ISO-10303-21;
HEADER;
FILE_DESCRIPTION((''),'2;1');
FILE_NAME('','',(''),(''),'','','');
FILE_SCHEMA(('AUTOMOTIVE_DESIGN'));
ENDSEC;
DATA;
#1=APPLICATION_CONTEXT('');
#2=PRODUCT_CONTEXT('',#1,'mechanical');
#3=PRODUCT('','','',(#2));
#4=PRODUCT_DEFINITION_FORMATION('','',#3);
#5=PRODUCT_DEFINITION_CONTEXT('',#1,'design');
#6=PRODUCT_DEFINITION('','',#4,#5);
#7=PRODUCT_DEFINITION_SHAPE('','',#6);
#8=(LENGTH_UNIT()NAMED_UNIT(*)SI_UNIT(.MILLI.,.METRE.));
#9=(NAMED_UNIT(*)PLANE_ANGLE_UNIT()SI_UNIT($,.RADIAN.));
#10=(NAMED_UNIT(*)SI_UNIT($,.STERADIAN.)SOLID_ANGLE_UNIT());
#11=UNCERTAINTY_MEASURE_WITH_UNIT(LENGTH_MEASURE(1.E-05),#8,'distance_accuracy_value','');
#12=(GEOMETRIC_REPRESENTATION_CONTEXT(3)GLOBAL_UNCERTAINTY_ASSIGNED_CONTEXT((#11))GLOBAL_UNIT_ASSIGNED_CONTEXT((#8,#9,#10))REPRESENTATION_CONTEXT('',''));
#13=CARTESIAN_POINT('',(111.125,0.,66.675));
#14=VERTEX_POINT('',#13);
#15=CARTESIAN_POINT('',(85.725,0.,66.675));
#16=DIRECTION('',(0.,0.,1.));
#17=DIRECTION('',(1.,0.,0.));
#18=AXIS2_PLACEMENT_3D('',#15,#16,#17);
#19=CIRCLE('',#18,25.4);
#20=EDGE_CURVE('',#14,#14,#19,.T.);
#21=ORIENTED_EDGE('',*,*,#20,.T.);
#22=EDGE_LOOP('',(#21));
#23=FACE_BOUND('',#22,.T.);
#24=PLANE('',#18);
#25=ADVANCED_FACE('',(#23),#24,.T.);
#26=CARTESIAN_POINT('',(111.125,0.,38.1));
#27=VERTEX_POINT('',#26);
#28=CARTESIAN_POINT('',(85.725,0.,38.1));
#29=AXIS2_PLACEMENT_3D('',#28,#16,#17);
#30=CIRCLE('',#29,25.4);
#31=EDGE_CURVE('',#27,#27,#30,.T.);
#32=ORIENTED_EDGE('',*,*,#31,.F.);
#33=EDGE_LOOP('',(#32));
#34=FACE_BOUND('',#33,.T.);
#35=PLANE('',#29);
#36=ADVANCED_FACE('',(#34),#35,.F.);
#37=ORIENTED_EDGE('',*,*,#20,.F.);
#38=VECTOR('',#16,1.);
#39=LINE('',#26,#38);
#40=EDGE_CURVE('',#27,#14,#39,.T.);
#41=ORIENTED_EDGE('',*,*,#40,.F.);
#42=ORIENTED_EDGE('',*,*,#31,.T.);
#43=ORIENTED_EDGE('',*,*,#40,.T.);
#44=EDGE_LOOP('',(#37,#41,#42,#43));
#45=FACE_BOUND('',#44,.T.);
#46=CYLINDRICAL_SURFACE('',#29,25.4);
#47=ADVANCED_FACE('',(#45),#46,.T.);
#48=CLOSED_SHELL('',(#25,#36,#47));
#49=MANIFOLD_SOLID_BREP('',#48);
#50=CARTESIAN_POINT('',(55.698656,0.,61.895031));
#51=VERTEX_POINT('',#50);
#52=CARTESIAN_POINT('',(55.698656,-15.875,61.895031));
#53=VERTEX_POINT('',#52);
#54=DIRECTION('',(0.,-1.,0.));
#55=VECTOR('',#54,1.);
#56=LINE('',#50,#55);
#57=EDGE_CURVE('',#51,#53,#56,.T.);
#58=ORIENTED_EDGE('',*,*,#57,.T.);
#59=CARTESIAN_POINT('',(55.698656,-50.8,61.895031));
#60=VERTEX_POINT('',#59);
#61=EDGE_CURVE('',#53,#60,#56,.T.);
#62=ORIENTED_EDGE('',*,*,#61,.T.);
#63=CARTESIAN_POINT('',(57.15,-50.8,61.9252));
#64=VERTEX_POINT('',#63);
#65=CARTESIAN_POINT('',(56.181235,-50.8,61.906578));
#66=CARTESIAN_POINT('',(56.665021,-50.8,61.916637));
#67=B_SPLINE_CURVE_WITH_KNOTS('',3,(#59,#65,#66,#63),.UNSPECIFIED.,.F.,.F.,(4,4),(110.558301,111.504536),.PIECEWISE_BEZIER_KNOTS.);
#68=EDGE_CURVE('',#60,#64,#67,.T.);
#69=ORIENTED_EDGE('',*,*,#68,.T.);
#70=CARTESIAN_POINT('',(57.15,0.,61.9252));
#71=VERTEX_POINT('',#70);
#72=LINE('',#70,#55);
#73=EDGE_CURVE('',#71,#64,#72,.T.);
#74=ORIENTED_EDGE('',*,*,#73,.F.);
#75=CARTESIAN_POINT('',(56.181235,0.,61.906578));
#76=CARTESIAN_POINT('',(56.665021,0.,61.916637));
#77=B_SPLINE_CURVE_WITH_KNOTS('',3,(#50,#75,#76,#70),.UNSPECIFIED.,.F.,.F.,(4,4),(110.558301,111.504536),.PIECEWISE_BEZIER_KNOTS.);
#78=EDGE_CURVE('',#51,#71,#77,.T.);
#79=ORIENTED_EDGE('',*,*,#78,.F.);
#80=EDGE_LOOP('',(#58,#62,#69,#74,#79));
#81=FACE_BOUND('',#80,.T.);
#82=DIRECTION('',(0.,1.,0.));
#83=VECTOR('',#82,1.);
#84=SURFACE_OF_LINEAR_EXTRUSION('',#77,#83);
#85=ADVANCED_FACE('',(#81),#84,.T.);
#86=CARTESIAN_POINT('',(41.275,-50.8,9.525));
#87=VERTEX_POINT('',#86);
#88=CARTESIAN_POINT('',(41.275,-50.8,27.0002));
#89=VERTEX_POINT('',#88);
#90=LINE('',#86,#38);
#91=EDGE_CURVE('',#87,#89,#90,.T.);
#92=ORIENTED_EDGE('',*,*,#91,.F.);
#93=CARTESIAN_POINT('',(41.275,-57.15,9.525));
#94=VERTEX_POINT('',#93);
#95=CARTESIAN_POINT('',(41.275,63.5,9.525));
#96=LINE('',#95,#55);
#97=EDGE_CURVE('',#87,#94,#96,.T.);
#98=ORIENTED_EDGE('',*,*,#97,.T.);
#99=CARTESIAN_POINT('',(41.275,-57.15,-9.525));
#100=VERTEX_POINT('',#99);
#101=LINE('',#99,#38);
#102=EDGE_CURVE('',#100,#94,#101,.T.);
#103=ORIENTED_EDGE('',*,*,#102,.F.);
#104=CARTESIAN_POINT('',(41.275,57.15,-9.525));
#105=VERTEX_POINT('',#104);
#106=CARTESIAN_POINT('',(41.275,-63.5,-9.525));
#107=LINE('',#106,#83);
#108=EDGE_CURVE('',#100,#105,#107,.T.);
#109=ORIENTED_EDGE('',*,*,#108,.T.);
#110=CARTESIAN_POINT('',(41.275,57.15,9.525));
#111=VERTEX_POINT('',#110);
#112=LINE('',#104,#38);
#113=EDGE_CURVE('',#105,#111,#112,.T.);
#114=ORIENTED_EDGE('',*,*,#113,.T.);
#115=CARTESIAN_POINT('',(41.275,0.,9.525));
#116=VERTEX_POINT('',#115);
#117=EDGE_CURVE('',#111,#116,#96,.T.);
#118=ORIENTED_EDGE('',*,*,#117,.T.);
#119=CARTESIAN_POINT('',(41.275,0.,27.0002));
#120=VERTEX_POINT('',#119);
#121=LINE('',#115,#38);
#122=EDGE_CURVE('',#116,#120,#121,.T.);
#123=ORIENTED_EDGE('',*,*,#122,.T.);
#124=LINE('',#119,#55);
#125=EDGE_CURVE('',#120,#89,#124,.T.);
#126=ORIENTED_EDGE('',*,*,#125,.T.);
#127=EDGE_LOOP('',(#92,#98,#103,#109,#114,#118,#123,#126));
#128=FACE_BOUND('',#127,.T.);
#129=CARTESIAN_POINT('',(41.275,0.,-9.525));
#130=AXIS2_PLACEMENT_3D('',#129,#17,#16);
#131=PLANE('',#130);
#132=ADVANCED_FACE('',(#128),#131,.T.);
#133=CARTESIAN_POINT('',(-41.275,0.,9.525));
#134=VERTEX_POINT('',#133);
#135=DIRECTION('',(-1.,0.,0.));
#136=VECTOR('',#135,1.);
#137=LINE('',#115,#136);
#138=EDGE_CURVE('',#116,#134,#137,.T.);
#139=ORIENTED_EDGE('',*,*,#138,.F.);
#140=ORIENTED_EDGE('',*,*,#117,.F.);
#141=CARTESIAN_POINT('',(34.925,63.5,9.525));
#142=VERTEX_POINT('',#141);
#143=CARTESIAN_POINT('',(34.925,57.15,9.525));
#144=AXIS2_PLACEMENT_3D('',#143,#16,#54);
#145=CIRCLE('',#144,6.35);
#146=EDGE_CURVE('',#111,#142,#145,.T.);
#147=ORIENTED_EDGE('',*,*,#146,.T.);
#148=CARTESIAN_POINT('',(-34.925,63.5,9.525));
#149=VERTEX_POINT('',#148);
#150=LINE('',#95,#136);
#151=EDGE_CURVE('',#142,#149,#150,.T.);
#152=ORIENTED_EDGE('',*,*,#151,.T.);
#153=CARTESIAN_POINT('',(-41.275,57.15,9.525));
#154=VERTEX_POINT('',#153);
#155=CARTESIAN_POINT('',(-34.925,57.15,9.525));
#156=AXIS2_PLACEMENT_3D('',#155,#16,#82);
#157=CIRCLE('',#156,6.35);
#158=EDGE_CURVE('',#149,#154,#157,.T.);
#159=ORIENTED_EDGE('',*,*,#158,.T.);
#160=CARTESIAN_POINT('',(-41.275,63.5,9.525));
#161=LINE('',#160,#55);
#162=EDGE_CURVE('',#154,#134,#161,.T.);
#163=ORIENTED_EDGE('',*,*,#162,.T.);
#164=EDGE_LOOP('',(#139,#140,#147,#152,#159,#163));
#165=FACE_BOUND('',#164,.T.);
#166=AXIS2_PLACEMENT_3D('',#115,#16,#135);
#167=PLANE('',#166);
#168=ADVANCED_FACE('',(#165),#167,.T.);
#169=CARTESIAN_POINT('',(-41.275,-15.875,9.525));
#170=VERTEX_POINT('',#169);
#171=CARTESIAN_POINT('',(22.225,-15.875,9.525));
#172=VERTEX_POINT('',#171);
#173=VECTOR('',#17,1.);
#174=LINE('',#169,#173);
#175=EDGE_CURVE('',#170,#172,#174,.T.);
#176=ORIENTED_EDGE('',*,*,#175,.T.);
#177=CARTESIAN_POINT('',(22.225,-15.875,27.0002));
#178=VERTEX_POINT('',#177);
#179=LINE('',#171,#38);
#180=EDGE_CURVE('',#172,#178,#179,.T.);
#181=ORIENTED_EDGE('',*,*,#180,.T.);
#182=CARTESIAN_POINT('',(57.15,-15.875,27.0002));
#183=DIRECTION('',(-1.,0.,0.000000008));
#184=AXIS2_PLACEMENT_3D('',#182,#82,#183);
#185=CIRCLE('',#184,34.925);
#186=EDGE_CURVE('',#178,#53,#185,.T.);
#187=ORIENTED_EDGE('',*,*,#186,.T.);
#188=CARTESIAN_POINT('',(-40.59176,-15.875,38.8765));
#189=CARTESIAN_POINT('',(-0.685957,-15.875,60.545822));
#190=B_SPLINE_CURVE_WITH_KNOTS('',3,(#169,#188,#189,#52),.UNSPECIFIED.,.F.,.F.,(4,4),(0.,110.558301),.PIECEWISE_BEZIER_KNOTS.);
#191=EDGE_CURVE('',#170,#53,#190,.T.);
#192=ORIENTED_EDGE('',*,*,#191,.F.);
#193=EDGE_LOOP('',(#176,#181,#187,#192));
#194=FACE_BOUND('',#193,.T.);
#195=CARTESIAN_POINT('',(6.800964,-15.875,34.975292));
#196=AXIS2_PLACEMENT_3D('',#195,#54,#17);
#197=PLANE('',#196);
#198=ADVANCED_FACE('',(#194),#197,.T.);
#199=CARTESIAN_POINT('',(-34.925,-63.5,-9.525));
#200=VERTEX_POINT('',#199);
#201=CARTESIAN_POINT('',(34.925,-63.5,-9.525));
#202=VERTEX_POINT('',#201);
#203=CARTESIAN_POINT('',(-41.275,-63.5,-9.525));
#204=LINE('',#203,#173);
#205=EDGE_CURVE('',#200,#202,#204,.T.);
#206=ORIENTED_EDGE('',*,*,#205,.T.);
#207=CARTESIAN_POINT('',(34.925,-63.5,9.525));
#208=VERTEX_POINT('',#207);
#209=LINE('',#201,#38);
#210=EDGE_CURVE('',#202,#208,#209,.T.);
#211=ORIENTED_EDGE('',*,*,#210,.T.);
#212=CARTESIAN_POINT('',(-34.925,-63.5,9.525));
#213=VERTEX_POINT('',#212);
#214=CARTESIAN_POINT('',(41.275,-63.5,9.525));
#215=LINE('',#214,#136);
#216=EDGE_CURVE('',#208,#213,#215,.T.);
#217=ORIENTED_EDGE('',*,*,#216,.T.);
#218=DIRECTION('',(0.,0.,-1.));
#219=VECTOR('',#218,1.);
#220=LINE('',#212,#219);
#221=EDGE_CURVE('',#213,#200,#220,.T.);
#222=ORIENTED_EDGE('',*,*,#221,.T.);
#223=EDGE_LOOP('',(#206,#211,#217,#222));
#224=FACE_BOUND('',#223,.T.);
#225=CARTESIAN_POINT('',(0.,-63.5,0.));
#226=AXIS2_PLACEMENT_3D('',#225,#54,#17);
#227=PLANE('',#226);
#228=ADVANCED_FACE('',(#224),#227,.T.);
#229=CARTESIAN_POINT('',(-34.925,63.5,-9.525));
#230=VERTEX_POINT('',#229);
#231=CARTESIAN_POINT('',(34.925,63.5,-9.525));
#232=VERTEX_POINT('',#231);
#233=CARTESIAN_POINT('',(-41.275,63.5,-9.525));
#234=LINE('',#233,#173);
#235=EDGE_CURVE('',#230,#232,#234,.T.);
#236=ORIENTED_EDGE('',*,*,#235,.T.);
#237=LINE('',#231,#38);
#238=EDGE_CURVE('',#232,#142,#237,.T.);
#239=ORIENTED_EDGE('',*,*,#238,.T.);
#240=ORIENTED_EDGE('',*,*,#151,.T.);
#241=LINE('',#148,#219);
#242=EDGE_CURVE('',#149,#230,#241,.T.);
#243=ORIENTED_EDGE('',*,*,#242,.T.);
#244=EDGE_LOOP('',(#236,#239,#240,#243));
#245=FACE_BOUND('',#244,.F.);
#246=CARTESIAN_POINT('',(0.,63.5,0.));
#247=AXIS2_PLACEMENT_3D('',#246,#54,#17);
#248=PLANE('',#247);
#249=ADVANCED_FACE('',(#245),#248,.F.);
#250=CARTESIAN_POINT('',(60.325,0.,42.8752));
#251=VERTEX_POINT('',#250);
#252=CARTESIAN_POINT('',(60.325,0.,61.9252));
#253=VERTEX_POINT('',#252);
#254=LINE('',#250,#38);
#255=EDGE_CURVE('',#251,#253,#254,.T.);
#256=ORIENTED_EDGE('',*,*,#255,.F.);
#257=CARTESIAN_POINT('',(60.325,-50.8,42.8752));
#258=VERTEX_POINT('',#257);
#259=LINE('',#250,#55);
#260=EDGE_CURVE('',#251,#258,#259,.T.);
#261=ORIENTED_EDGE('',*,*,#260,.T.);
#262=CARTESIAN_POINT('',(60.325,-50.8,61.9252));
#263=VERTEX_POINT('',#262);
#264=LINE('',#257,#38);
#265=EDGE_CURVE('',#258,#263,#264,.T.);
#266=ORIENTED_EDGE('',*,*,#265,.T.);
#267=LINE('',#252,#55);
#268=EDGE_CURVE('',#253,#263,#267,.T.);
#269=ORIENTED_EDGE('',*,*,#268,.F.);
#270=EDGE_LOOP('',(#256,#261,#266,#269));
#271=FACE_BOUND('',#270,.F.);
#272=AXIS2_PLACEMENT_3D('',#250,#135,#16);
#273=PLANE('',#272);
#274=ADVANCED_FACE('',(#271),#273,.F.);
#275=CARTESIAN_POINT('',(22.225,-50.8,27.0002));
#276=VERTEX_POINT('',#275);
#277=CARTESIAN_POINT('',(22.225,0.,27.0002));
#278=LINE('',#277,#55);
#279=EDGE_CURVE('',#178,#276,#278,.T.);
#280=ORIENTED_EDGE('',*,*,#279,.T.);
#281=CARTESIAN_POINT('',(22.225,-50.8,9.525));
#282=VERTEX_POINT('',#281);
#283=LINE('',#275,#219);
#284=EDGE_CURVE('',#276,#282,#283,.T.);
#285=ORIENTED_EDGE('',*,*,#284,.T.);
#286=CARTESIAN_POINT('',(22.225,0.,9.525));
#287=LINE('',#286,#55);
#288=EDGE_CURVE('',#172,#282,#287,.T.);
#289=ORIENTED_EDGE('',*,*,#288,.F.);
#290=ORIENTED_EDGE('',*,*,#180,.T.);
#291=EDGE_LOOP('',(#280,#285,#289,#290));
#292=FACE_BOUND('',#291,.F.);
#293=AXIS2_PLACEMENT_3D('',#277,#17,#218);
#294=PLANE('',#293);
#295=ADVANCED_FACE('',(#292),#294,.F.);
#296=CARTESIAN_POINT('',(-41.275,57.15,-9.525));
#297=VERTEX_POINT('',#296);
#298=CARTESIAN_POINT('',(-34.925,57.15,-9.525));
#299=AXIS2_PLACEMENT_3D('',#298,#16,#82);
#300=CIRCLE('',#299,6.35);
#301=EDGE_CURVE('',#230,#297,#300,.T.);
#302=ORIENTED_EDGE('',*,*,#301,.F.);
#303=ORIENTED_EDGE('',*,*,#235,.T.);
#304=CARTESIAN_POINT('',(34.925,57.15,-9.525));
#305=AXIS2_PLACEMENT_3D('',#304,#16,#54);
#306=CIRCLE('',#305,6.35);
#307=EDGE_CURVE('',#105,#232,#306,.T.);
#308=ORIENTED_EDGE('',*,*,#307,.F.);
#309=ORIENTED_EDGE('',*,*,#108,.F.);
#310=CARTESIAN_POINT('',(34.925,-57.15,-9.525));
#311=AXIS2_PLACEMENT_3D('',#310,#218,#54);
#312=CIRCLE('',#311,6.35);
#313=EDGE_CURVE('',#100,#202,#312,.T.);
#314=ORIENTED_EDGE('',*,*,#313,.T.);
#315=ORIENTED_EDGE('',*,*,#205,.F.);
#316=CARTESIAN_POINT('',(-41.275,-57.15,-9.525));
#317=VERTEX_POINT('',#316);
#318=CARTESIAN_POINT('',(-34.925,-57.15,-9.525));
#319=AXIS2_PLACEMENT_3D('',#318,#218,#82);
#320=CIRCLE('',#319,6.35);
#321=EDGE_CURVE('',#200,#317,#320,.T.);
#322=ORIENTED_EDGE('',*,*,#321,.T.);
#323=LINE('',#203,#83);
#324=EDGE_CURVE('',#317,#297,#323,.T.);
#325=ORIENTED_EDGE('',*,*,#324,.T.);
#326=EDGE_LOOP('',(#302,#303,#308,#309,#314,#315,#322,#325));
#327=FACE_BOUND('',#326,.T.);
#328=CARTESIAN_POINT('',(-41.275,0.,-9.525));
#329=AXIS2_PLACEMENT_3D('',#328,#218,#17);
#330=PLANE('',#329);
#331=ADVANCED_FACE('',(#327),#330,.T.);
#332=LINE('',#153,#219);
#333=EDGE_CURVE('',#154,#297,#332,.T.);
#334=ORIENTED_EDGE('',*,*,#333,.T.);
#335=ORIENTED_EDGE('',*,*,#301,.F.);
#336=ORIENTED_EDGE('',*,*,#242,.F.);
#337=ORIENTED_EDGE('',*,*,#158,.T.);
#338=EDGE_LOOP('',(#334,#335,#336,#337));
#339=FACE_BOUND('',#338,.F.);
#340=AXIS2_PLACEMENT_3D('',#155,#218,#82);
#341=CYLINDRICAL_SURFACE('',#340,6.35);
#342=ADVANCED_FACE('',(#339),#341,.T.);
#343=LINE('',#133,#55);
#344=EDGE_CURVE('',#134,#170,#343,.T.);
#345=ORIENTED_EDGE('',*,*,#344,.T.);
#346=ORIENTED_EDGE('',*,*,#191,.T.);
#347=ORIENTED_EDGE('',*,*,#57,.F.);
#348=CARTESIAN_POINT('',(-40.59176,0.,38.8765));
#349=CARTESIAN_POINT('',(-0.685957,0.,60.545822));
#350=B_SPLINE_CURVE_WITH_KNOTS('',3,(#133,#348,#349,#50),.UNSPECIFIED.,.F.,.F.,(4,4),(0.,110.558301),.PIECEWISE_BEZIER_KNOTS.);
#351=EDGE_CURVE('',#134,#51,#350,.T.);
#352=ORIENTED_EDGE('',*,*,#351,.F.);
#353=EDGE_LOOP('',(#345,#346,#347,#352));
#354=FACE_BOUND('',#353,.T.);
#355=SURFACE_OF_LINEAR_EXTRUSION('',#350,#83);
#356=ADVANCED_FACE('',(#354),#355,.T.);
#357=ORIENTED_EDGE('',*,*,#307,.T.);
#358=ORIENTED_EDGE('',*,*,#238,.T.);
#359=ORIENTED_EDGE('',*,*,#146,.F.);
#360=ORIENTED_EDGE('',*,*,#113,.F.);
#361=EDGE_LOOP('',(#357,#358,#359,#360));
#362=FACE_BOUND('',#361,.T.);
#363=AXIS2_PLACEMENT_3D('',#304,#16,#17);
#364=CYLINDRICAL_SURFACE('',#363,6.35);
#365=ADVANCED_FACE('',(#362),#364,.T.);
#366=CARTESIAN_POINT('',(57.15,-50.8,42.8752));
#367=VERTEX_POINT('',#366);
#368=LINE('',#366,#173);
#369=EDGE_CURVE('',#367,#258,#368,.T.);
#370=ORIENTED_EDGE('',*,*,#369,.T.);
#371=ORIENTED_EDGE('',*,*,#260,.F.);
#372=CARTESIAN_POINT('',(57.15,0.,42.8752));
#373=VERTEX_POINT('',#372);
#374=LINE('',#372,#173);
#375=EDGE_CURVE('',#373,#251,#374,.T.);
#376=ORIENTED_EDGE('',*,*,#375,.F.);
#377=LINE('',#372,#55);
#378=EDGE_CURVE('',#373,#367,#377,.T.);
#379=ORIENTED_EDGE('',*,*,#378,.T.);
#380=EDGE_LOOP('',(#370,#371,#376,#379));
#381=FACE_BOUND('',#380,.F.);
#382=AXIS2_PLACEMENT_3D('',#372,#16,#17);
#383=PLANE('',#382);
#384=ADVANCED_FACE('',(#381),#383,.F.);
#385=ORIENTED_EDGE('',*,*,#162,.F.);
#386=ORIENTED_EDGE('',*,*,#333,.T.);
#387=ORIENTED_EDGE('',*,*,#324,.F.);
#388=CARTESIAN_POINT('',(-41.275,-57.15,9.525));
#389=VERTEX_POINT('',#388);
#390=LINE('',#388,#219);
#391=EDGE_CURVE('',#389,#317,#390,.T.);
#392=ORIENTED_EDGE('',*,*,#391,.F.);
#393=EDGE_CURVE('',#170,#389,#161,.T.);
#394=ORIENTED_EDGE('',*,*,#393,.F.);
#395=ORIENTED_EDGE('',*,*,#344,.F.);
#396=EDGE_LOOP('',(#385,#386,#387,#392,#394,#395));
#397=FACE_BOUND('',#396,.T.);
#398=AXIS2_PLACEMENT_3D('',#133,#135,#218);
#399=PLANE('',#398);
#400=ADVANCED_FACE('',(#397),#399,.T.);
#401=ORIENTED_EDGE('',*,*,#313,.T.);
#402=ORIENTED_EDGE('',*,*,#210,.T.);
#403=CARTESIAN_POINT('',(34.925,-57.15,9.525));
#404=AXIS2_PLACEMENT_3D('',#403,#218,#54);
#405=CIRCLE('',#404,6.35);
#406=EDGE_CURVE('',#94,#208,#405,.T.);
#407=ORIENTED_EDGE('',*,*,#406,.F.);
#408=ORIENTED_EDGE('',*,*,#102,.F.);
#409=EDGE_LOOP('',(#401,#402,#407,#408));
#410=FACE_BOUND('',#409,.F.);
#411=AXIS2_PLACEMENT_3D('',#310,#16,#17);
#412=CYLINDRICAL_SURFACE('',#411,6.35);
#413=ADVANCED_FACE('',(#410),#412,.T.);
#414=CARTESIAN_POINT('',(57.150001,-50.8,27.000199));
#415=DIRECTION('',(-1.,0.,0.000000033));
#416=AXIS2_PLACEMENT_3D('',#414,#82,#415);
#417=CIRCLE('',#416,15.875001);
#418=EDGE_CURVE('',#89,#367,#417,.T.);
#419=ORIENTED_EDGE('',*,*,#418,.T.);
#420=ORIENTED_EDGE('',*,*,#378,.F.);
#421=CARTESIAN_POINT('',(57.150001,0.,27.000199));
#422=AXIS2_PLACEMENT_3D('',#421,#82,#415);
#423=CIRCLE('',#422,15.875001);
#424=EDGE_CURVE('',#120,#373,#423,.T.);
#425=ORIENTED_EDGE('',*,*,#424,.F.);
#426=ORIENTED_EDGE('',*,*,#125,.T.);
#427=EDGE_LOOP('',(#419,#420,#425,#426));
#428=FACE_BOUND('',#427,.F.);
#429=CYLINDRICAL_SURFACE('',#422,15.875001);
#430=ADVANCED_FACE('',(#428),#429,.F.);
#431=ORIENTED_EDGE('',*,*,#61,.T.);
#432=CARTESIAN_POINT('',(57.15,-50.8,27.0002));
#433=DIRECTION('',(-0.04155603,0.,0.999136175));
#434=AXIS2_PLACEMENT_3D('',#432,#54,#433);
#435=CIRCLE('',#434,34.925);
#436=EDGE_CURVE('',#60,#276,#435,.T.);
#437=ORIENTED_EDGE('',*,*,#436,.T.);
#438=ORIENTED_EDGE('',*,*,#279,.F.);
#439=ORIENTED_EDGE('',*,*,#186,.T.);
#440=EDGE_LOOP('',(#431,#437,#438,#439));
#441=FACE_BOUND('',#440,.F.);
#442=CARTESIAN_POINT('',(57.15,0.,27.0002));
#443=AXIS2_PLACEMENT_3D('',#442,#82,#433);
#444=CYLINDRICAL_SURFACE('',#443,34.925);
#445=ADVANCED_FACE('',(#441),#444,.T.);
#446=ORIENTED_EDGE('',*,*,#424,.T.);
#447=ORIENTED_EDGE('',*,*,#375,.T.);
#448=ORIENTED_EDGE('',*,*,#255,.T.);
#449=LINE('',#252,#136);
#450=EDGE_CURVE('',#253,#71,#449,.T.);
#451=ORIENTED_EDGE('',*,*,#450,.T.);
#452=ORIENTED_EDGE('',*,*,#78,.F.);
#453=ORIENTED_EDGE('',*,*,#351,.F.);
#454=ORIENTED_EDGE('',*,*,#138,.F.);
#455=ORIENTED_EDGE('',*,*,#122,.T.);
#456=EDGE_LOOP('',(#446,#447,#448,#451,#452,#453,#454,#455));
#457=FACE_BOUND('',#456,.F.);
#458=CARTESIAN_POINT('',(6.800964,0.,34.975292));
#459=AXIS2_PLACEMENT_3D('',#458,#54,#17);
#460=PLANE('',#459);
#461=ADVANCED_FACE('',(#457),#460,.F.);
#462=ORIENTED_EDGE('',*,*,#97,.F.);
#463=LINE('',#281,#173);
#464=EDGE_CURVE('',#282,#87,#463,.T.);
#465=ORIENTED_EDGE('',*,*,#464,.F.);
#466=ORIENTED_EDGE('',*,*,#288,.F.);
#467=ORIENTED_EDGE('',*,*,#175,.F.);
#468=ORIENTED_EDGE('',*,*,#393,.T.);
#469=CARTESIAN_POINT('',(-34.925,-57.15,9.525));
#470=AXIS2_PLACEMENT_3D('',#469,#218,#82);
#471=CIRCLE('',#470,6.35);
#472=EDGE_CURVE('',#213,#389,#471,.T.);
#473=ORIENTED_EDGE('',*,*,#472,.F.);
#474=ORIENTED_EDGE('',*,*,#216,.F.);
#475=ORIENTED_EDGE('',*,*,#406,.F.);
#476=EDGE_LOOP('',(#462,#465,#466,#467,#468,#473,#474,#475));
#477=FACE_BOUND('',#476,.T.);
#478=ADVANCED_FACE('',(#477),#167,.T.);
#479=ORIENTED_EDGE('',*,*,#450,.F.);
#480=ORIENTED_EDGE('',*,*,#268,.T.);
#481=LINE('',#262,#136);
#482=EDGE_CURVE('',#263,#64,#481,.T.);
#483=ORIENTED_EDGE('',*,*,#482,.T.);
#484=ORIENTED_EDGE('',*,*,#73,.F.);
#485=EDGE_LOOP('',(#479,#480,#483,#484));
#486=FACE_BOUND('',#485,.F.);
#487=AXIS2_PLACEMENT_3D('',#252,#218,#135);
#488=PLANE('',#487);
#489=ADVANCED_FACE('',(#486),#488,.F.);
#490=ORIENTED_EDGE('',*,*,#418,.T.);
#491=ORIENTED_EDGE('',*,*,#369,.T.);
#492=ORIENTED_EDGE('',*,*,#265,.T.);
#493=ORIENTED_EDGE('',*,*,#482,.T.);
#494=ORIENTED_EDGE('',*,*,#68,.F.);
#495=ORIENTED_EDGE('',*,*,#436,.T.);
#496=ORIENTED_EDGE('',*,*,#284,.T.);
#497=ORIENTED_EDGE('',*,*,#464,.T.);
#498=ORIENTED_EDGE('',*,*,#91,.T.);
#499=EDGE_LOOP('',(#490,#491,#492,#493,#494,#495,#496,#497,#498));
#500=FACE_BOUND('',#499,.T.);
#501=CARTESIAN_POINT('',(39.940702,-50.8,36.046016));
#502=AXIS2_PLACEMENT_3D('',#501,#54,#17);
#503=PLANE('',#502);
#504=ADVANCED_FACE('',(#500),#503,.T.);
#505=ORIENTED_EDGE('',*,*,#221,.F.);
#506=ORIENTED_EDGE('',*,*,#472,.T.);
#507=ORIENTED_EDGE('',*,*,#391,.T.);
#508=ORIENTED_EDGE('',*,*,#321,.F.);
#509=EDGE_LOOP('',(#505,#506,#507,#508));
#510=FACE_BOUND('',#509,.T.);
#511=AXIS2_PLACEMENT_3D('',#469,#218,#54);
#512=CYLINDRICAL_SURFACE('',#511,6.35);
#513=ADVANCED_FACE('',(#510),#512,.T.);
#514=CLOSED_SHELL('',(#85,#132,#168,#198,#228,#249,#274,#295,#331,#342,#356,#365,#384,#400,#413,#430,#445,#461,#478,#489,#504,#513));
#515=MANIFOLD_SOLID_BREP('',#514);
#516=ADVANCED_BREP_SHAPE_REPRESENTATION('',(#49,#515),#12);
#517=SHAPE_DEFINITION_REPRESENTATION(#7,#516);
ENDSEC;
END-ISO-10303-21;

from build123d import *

# Parameters (mm, degrees)
F1_DEPTH = 63.5
F2_DEPTH = 50.8
F3_DEPTH = 15.875
F5_R     = 6.35


with BuildPart() as f1:
    # F0 (on Front) → F1 (new body, symmetric)
    with BuildSketch(Plane.XZ):
        Polygon((41.275, -9.525), (41.275, 9.525), (22.225, 9.525), (-41.275, 9.525), (-41.275, -9.525), align=None)
    extrude(amount=F1_DEPTH, both=True)

    # F0 (on Front) → F2 (join)
    with BuildSketch(Plane.XZ):
        with BuildLine():
            Line((22.225, 9.525), (41.275, 9.525))
            Line((41.275, 9.525), (41.275, 27.0002))
            ThreePointArc((41.275, 27.0002), (45.92468, 38.22552), (57.15, 42.8752))
            Line((57.15, 42.8752), (60.325, 42.8752))
            Line((60.325, 42.8752), (60.325, 61.9252))
            Line((60.325, 61.9252), (57.15, 61.9252))
            add(Edge.make_bspline(
                [(55.698656, 61.895031), (56.181235, 61.906578), (56.665021, 61.916637), (57.15, 61.9252)],
                knots=[110.558301, 110.558301, 110.558301, 110.558301, 111.504536, 111.504536, 111.504536, 111.504536], degree=3))
            ThreePointArc((55.698656, 61.895031), (31.946391, 51.177332), (22.225, 27.0002))
            Line((22.225, 27.0002), (22.225, 9.525))
        make_face()
    extrude(amount=F2_DEPTH)

    # F0 (on Front) → F3 (join)
    with BuildSketch(Plane.XZ):
        with BuildLine():
            Line((-41.275, 9.525), (22.225, 9.525))
            Line((22.225, 9.525), (22.225, 27.0002))
            ThreePointArc((22.225, 27.0002), (31.946391, 51.177332), (55.698656, 61.895031))
            add(Edge.make_bspline(
                [(-41.275, 9.525), (-40.59176, 38.8765), (-0.685957, 60.545822), (55.698656, 61.895031)],
                knots=[0, 0, 0, 0, 110.558301, 110.558301, 110.558301, 110.558301], degree=3))
        make_face()
    extrude(amount=F3_DEPTH)

    # F5
    f5_edges = [f1.edges().sort_by_distance(p)[0] for p in [
        (41.275, -63.5, 0),
        (-41.275, -63.5, 0),
        (41.275, 63.5, 0),
        (-41.275, 63.5, 0),
    ]]
    fillet(f5_edges, radius=F5_R)


with BuildPart() as f4:
    # F0 (on Front) → F4 (revolve)
    with BuildSketch(Plane.XZ):
        Polygon((85.725, 61.9252), (85.725, 42.8752), (85.725, 38.1), (111.125, 38.1), (111.125, 66.675), (85.725, 66.675), align=None)
    revolve(axis=Axis((85.725, 0, 52.3875), (0, 0, 1)))


solid = Compound([f1.part, f4.part])
